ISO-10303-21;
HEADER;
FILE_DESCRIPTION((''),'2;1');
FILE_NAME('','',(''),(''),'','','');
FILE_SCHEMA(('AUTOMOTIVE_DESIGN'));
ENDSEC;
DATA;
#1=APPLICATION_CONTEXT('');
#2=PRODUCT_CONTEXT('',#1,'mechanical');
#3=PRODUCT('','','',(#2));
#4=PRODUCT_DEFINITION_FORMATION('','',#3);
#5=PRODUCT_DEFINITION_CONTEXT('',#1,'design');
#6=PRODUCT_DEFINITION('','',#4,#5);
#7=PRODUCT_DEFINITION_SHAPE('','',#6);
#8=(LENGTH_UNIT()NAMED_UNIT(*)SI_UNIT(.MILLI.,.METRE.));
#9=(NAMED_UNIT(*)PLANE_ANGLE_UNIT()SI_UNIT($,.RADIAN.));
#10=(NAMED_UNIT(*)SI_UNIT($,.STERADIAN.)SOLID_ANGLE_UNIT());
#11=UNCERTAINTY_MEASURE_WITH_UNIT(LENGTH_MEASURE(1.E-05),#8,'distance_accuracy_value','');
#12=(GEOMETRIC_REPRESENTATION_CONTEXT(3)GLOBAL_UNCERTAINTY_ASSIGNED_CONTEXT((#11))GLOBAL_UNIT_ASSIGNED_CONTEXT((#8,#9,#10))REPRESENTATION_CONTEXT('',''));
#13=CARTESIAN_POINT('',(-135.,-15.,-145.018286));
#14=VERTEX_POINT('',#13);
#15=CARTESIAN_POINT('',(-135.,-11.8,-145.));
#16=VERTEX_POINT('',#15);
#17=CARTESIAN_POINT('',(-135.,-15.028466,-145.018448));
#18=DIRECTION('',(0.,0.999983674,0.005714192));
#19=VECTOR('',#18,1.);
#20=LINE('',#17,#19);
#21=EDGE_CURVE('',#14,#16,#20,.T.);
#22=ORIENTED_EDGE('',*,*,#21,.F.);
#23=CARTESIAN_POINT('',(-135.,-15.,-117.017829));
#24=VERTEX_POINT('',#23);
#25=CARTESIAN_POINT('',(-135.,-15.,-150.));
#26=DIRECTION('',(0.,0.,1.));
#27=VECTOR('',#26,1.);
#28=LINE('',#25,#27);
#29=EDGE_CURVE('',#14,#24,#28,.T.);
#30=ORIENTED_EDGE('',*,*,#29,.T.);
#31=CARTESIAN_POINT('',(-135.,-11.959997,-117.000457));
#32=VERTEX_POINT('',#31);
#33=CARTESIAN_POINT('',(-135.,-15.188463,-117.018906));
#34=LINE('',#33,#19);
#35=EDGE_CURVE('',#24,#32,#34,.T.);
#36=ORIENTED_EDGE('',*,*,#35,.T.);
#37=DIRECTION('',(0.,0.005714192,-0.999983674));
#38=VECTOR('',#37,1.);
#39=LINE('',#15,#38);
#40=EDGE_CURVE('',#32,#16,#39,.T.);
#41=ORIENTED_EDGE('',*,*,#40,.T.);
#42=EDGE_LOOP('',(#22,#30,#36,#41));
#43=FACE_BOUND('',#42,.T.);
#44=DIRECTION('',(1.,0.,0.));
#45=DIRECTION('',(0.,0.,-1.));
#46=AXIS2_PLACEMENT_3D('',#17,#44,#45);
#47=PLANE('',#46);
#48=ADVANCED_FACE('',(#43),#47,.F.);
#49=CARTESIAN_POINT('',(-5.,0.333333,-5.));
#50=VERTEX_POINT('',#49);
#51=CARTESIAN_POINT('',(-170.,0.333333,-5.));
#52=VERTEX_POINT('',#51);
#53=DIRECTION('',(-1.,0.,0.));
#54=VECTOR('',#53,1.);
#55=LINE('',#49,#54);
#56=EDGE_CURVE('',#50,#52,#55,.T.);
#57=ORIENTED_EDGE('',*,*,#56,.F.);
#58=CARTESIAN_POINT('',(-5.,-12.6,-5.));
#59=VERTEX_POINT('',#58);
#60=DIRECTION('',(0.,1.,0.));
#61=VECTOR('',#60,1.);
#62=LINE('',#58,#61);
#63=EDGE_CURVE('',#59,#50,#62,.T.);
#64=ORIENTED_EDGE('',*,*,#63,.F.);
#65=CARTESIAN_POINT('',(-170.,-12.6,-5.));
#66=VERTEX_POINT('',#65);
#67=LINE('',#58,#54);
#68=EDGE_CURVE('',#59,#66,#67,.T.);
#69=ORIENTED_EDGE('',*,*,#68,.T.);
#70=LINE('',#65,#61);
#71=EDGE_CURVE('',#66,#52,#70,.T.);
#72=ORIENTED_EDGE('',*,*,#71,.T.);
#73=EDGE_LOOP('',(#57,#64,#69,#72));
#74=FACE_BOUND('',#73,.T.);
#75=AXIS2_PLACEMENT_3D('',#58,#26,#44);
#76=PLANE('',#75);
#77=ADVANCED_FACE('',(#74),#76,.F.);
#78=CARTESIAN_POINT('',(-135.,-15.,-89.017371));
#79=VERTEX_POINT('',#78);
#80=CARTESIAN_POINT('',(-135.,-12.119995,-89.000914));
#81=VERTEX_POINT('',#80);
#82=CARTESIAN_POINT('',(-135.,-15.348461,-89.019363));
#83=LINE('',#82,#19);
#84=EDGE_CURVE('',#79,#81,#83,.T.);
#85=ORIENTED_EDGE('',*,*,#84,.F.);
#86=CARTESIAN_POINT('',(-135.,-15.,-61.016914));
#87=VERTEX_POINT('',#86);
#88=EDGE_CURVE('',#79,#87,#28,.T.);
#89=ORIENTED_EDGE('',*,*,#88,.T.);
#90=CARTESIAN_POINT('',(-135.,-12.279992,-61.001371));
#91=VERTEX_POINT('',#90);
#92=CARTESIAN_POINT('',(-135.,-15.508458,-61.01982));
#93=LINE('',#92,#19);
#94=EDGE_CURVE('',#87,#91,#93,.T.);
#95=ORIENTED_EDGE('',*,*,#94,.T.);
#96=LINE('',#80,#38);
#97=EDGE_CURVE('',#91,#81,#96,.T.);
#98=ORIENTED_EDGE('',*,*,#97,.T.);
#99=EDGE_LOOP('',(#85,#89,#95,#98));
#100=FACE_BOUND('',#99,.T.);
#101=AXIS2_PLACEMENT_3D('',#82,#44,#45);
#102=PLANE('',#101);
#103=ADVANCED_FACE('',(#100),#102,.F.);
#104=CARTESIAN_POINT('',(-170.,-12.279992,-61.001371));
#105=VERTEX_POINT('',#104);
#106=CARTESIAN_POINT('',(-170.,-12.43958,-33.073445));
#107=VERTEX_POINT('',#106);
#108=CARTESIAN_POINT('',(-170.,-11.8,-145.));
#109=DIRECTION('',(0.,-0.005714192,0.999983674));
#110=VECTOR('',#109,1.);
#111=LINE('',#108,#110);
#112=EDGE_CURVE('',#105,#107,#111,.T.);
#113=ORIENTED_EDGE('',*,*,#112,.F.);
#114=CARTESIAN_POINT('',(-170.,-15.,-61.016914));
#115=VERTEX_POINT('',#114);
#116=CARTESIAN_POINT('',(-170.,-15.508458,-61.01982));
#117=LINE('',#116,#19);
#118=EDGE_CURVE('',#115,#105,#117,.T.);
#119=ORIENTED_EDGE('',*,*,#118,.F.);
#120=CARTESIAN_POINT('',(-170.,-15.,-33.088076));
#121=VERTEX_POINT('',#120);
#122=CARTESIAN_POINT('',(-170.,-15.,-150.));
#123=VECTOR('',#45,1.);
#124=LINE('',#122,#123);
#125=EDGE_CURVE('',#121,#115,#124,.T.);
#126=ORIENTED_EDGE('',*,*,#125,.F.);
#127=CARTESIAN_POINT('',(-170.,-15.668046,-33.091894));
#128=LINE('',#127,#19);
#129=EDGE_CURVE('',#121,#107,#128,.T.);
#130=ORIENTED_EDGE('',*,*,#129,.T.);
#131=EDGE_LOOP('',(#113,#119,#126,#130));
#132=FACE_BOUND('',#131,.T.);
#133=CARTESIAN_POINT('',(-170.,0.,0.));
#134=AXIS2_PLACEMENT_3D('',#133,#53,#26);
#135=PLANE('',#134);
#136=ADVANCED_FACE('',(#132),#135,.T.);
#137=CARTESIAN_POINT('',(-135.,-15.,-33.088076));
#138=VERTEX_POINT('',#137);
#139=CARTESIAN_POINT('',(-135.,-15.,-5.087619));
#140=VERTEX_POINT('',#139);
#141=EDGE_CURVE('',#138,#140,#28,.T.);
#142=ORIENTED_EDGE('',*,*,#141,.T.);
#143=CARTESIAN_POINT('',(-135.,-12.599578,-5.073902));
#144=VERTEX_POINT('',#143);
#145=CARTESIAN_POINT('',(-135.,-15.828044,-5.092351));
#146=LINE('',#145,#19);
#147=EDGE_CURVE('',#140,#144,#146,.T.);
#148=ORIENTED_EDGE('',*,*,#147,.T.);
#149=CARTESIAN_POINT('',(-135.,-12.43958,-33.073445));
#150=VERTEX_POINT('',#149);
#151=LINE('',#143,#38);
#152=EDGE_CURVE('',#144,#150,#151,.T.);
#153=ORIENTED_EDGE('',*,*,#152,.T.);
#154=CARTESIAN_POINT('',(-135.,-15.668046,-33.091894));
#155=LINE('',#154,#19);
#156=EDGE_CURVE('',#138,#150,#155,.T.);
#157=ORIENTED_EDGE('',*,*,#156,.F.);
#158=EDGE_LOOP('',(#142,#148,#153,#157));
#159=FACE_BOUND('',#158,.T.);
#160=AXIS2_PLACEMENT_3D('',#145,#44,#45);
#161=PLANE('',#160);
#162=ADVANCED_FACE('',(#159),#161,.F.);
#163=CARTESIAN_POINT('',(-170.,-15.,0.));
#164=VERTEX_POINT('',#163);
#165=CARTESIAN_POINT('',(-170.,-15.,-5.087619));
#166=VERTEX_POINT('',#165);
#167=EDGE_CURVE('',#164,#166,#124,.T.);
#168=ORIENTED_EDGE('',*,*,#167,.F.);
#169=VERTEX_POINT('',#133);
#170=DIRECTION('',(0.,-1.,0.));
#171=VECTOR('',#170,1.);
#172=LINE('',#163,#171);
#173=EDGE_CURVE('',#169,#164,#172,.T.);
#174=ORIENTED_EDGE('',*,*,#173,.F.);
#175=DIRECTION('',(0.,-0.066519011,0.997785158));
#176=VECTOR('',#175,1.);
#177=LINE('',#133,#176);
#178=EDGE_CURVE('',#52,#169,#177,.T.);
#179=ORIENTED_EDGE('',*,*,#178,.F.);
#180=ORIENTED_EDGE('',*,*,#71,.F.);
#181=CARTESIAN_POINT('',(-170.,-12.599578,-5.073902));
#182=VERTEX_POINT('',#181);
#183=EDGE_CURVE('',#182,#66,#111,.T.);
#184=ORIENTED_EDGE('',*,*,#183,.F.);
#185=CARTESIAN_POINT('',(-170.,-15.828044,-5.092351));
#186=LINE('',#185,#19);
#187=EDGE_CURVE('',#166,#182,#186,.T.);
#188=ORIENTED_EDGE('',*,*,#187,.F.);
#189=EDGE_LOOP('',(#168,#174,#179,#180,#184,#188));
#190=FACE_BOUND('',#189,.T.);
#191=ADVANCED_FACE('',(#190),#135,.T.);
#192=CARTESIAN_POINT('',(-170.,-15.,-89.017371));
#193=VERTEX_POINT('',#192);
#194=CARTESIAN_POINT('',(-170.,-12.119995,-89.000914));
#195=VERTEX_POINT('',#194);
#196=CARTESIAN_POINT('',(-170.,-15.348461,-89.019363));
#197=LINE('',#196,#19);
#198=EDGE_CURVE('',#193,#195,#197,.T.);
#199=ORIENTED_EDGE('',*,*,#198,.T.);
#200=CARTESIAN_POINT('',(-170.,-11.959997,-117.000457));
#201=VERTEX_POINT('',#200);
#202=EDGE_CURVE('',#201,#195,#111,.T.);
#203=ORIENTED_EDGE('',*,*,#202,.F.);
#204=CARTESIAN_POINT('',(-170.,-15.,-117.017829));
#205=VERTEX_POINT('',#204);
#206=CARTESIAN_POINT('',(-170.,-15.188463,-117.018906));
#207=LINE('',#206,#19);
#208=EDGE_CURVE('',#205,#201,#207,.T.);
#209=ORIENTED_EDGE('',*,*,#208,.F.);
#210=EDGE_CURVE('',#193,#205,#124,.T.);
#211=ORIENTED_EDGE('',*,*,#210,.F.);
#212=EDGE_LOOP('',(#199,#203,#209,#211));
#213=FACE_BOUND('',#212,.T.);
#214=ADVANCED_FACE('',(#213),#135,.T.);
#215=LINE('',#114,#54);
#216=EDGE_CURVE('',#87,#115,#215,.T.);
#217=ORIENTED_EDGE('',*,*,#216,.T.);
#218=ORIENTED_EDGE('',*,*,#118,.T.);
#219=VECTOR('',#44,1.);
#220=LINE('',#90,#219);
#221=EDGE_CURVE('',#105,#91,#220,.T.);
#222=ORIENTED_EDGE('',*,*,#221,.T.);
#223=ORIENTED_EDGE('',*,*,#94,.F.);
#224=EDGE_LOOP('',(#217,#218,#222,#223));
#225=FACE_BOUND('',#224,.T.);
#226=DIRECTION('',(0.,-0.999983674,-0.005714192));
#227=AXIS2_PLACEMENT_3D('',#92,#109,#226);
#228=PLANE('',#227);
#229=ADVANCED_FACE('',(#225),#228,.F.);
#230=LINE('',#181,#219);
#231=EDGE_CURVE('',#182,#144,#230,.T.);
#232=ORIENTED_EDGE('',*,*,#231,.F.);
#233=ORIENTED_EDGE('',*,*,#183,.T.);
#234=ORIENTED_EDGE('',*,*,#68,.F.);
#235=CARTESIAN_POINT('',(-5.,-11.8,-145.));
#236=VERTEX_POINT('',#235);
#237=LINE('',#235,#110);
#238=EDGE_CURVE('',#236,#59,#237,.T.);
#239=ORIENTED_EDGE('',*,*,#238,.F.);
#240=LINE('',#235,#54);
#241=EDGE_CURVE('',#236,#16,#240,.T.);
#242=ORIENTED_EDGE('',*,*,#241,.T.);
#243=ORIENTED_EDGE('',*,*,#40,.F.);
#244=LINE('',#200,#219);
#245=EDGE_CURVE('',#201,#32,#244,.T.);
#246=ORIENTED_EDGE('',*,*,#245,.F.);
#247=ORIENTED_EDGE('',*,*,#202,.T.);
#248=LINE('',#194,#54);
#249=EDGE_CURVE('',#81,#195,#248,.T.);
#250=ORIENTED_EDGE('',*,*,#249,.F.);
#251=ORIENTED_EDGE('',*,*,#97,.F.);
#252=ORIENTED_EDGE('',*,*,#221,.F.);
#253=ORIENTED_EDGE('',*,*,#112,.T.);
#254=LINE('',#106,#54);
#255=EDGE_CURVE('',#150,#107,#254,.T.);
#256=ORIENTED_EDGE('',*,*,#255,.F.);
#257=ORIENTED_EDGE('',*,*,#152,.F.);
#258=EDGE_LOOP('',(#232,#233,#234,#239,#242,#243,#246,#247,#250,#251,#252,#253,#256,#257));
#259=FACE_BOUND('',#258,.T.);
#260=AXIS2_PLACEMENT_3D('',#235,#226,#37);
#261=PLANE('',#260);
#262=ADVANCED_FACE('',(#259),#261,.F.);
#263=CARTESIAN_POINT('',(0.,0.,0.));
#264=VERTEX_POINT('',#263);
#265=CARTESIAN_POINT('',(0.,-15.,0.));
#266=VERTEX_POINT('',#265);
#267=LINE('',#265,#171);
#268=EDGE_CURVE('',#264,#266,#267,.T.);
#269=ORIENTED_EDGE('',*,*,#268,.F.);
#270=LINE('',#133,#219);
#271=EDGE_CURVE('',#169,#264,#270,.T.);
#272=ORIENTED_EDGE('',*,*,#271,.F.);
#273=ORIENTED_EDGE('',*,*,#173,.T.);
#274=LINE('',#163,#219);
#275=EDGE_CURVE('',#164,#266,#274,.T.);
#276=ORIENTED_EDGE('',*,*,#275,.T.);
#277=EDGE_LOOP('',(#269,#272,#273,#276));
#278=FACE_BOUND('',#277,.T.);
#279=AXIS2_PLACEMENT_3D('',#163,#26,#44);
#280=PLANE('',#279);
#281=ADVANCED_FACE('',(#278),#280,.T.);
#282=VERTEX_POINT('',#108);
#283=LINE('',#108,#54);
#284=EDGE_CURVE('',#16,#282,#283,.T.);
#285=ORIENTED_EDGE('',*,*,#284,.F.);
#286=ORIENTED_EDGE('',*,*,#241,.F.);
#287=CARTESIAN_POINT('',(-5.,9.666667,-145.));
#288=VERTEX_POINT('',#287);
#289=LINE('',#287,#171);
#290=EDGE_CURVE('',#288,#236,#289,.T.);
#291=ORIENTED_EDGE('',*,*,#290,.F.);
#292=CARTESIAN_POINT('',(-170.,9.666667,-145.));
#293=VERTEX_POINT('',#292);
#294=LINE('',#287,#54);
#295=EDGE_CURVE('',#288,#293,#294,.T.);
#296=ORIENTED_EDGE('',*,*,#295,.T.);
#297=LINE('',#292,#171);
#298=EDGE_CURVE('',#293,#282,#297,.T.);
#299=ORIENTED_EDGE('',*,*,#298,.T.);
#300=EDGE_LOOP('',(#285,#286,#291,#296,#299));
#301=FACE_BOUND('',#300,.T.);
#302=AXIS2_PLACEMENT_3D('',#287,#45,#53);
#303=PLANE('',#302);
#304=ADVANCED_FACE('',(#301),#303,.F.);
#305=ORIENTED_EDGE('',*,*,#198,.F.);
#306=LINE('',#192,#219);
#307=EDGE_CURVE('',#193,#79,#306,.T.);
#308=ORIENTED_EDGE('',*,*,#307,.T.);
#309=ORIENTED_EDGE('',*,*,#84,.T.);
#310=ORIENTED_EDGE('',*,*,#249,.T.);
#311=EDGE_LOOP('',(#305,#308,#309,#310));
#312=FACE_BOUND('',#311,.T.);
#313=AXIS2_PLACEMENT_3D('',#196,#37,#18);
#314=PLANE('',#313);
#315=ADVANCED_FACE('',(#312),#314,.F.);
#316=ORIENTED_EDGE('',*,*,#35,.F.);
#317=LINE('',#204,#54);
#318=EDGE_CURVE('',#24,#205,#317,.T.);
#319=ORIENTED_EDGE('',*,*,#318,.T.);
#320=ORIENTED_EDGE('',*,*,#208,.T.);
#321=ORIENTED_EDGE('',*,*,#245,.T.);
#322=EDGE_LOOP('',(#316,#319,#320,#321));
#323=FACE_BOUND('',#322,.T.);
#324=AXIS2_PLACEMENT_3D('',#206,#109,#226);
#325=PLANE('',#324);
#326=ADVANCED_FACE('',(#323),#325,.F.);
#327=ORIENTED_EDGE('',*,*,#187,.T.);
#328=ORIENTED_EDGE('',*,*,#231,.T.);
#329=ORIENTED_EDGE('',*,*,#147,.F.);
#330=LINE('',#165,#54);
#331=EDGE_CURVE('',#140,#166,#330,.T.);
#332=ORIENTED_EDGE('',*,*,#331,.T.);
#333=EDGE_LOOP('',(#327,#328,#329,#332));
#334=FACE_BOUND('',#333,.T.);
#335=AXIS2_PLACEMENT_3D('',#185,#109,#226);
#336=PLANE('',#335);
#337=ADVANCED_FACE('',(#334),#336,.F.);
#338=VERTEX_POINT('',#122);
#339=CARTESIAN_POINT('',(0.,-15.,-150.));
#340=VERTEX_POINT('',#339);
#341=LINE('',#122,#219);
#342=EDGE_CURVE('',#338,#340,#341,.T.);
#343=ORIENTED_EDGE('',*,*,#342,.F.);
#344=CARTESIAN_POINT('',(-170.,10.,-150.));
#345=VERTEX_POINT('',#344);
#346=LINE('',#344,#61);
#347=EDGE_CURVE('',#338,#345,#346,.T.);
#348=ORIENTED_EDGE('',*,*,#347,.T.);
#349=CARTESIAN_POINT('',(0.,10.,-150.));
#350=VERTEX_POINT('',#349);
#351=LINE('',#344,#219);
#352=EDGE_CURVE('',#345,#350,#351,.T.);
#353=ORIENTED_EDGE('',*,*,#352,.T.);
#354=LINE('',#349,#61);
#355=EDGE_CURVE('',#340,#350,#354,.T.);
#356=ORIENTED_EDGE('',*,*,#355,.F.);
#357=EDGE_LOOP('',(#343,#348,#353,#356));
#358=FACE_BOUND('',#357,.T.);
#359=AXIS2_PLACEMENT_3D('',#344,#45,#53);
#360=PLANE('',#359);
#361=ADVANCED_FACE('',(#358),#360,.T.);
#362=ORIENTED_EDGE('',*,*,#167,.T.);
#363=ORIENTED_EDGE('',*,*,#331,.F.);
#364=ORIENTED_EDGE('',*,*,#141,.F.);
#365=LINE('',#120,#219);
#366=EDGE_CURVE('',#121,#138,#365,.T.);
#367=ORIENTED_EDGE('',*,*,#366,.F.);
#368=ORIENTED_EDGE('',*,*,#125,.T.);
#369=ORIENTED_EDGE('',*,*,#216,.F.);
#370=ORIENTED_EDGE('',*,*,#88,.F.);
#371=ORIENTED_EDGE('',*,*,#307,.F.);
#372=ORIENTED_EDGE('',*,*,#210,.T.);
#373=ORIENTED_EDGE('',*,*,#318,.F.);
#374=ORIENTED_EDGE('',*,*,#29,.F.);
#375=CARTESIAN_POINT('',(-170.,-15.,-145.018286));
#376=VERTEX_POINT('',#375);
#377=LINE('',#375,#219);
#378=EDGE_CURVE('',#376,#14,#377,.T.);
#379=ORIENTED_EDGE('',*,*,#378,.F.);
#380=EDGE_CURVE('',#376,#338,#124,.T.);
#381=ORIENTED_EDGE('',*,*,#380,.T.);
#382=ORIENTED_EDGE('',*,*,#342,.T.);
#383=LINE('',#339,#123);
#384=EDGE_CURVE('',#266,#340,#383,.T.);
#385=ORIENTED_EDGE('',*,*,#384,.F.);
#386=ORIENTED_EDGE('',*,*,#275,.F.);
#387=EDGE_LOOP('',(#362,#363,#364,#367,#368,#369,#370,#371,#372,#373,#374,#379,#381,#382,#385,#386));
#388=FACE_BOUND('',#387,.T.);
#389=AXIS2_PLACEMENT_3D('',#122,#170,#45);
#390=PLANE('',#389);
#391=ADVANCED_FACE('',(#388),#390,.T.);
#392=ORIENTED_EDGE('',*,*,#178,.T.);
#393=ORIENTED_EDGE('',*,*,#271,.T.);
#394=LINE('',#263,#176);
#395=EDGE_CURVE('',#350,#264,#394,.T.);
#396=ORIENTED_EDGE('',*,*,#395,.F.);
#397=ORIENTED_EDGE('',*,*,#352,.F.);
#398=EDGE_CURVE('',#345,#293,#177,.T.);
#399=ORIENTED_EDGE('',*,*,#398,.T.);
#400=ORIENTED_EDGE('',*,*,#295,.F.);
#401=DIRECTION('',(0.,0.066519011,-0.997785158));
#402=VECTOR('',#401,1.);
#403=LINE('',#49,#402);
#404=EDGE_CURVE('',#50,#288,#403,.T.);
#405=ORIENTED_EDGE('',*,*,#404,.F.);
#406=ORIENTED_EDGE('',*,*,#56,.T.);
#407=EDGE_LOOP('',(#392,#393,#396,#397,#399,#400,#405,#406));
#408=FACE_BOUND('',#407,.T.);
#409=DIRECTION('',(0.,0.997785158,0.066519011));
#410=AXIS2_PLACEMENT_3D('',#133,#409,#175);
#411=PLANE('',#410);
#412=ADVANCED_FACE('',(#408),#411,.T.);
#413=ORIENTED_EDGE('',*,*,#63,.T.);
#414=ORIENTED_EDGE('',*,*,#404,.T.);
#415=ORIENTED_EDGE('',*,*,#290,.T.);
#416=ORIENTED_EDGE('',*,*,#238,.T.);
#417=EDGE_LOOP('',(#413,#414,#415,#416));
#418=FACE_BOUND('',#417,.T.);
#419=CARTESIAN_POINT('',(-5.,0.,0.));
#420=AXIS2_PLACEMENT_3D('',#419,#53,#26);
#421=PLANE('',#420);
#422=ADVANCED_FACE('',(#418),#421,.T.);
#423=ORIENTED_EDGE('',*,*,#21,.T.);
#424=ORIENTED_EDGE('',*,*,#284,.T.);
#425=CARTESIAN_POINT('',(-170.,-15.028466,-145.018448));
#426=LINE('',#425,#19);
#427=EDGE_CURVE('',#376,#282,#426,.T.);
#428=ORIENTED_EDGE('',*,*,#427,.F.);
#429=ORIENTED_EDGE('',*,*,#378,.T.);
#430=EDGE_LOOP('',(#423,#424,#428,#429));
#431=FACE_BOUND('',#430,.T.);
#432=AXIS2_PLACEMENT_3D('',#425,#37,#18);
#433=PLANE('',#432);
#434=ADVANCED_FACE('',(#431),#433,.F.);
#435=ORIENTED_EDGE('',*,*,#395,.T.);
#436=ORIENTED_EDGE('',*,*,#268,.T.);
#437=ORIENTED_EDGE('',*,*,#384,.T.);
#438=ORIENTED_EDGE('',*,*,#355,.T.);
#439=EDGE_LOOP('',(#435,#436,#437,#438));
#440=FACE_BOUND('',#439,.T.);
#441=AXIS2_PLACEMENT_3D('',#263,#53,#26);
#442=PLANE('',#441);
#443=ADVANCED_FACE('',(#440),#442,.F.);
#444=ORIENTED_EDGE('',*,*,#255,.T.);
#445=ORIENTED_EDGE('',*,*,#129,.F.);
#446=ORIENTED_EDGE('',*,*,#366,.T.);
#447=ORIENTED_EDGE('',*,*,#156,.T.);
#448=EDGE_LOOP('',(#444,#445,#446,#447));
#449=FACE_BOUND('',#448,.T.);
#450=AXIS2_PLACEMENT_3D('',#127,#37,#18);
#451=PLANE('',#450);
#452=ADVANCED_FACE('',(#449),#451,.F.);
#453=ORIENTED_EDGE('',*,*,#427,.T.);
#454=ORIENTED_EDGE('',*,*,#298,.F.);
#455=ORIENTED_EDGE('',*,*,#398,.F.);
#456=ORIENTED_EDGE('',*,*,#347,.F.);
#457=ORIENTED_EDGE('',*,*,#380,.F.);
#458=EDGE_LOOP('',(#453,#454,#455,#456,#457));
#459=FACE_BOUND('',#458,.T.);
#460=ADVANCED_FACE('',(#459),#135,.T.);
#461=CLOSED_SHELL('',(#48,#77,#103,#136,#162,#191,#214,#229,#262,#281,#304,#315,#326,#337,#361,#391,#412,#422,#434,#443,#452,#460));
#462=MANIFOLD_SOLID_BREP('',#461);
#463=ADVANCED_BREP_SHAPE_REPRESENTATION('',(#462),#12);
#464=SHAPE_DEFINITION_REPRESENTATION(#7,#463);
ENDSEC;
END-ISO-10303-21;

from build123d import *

# Parameters (mm, degrees)
BOSS_EXTRUDE1_DEPTH = 170
CUT_EXTRUDE1_DEPTH  = 165
SKETCH5_W           = 35
SKETCH5_H           = 28
CUT_EXTRUDE3_DEPTH  = 228.794623549
SKETCH6_W           = 35
SKETCH6_H           = 28
CUT_EXTRUDE5_DEPTH  = 228.794623549
SKETCH8_W           = 35
SKETCH8_H           = 28
CUT_EXTRUDE9_DEPTH  = 228.794623549


with BuildPart() as part:
    # Sketch2 → Boss-Extrude1 (new body)
    with BuildSketch(Plane(origin=(0, 0, 0), x_dir=(0, 0, -1), z_dir=(1, 0, 0))):
        Polygon((150, 10), (150, -15), (0, -15), (0, 0), align=None)
    extrude(amount=-BOSS_EXTRUDE1_DEPTH)

    # Sketch3 → Cut-Extrude1 (cut)
    with BuildSketch(Plane.ZY.offset(170)):
        Polygon((-145, 9.666666667), (-145, -11.8), (-5, -12.6), (-5, 0.333333333), align=None)
    extrude(amount=-CUT_EXTRUDE1_DEPTH, mode=Mode.SUBTRACT)

    # Sketch5 → Cut-Extrude3 (cut, through all)
    with BuildSketch(Plane(origin=(0, -12.628159081, -0.072160909), x_dir=(1, 0, 0), z_dir=(0, 0.9999836738692104, 0.005714192422109776))):
        with Locations((-152.5, 130.93020524)):
            Rectangle(SKETCH5_W, SKETCH5_H)
    extrude(amount=-CUT_EXTRUDE3_DEPTH, mode=Mode.SUBTRACT)

    # Sketch6 → Cut-Extrude5 (cut, through all)
    with BuildSketch(Plane(origin=(0, -12.628159081, -0.072160909), x_dir=(1, 0, 0), z_dir=(0, 0.9999836738692104, 0.005714192422109776))):
        with Locations((-152.5, 74.93020524)):
            Rectangle(SKETCH6_W, SKETCH6_H)
    extrude(amount=-CUT_EXTRUDE5_DEPTH, mode=Mode.SUBTRACT)

    # Sketch8 → Cut-Extrude9 (cut, through all)
    with BuildSketch(Plane(origin=(0, -12.628159081, -0.072160909), x_dir=(1, 0, 0), z_dir=(0, 0.9999836738692104, 0.005714192422109776))):
        with Locations((-152.5, 19.0018231)):
            Rectangle(SKETCH8_W, SKETCH8_H)
    extrude(amount=-CUT_EXTRUDE9_DEPTH, mode=Mode.SUBTRACT)


solid = part.part
